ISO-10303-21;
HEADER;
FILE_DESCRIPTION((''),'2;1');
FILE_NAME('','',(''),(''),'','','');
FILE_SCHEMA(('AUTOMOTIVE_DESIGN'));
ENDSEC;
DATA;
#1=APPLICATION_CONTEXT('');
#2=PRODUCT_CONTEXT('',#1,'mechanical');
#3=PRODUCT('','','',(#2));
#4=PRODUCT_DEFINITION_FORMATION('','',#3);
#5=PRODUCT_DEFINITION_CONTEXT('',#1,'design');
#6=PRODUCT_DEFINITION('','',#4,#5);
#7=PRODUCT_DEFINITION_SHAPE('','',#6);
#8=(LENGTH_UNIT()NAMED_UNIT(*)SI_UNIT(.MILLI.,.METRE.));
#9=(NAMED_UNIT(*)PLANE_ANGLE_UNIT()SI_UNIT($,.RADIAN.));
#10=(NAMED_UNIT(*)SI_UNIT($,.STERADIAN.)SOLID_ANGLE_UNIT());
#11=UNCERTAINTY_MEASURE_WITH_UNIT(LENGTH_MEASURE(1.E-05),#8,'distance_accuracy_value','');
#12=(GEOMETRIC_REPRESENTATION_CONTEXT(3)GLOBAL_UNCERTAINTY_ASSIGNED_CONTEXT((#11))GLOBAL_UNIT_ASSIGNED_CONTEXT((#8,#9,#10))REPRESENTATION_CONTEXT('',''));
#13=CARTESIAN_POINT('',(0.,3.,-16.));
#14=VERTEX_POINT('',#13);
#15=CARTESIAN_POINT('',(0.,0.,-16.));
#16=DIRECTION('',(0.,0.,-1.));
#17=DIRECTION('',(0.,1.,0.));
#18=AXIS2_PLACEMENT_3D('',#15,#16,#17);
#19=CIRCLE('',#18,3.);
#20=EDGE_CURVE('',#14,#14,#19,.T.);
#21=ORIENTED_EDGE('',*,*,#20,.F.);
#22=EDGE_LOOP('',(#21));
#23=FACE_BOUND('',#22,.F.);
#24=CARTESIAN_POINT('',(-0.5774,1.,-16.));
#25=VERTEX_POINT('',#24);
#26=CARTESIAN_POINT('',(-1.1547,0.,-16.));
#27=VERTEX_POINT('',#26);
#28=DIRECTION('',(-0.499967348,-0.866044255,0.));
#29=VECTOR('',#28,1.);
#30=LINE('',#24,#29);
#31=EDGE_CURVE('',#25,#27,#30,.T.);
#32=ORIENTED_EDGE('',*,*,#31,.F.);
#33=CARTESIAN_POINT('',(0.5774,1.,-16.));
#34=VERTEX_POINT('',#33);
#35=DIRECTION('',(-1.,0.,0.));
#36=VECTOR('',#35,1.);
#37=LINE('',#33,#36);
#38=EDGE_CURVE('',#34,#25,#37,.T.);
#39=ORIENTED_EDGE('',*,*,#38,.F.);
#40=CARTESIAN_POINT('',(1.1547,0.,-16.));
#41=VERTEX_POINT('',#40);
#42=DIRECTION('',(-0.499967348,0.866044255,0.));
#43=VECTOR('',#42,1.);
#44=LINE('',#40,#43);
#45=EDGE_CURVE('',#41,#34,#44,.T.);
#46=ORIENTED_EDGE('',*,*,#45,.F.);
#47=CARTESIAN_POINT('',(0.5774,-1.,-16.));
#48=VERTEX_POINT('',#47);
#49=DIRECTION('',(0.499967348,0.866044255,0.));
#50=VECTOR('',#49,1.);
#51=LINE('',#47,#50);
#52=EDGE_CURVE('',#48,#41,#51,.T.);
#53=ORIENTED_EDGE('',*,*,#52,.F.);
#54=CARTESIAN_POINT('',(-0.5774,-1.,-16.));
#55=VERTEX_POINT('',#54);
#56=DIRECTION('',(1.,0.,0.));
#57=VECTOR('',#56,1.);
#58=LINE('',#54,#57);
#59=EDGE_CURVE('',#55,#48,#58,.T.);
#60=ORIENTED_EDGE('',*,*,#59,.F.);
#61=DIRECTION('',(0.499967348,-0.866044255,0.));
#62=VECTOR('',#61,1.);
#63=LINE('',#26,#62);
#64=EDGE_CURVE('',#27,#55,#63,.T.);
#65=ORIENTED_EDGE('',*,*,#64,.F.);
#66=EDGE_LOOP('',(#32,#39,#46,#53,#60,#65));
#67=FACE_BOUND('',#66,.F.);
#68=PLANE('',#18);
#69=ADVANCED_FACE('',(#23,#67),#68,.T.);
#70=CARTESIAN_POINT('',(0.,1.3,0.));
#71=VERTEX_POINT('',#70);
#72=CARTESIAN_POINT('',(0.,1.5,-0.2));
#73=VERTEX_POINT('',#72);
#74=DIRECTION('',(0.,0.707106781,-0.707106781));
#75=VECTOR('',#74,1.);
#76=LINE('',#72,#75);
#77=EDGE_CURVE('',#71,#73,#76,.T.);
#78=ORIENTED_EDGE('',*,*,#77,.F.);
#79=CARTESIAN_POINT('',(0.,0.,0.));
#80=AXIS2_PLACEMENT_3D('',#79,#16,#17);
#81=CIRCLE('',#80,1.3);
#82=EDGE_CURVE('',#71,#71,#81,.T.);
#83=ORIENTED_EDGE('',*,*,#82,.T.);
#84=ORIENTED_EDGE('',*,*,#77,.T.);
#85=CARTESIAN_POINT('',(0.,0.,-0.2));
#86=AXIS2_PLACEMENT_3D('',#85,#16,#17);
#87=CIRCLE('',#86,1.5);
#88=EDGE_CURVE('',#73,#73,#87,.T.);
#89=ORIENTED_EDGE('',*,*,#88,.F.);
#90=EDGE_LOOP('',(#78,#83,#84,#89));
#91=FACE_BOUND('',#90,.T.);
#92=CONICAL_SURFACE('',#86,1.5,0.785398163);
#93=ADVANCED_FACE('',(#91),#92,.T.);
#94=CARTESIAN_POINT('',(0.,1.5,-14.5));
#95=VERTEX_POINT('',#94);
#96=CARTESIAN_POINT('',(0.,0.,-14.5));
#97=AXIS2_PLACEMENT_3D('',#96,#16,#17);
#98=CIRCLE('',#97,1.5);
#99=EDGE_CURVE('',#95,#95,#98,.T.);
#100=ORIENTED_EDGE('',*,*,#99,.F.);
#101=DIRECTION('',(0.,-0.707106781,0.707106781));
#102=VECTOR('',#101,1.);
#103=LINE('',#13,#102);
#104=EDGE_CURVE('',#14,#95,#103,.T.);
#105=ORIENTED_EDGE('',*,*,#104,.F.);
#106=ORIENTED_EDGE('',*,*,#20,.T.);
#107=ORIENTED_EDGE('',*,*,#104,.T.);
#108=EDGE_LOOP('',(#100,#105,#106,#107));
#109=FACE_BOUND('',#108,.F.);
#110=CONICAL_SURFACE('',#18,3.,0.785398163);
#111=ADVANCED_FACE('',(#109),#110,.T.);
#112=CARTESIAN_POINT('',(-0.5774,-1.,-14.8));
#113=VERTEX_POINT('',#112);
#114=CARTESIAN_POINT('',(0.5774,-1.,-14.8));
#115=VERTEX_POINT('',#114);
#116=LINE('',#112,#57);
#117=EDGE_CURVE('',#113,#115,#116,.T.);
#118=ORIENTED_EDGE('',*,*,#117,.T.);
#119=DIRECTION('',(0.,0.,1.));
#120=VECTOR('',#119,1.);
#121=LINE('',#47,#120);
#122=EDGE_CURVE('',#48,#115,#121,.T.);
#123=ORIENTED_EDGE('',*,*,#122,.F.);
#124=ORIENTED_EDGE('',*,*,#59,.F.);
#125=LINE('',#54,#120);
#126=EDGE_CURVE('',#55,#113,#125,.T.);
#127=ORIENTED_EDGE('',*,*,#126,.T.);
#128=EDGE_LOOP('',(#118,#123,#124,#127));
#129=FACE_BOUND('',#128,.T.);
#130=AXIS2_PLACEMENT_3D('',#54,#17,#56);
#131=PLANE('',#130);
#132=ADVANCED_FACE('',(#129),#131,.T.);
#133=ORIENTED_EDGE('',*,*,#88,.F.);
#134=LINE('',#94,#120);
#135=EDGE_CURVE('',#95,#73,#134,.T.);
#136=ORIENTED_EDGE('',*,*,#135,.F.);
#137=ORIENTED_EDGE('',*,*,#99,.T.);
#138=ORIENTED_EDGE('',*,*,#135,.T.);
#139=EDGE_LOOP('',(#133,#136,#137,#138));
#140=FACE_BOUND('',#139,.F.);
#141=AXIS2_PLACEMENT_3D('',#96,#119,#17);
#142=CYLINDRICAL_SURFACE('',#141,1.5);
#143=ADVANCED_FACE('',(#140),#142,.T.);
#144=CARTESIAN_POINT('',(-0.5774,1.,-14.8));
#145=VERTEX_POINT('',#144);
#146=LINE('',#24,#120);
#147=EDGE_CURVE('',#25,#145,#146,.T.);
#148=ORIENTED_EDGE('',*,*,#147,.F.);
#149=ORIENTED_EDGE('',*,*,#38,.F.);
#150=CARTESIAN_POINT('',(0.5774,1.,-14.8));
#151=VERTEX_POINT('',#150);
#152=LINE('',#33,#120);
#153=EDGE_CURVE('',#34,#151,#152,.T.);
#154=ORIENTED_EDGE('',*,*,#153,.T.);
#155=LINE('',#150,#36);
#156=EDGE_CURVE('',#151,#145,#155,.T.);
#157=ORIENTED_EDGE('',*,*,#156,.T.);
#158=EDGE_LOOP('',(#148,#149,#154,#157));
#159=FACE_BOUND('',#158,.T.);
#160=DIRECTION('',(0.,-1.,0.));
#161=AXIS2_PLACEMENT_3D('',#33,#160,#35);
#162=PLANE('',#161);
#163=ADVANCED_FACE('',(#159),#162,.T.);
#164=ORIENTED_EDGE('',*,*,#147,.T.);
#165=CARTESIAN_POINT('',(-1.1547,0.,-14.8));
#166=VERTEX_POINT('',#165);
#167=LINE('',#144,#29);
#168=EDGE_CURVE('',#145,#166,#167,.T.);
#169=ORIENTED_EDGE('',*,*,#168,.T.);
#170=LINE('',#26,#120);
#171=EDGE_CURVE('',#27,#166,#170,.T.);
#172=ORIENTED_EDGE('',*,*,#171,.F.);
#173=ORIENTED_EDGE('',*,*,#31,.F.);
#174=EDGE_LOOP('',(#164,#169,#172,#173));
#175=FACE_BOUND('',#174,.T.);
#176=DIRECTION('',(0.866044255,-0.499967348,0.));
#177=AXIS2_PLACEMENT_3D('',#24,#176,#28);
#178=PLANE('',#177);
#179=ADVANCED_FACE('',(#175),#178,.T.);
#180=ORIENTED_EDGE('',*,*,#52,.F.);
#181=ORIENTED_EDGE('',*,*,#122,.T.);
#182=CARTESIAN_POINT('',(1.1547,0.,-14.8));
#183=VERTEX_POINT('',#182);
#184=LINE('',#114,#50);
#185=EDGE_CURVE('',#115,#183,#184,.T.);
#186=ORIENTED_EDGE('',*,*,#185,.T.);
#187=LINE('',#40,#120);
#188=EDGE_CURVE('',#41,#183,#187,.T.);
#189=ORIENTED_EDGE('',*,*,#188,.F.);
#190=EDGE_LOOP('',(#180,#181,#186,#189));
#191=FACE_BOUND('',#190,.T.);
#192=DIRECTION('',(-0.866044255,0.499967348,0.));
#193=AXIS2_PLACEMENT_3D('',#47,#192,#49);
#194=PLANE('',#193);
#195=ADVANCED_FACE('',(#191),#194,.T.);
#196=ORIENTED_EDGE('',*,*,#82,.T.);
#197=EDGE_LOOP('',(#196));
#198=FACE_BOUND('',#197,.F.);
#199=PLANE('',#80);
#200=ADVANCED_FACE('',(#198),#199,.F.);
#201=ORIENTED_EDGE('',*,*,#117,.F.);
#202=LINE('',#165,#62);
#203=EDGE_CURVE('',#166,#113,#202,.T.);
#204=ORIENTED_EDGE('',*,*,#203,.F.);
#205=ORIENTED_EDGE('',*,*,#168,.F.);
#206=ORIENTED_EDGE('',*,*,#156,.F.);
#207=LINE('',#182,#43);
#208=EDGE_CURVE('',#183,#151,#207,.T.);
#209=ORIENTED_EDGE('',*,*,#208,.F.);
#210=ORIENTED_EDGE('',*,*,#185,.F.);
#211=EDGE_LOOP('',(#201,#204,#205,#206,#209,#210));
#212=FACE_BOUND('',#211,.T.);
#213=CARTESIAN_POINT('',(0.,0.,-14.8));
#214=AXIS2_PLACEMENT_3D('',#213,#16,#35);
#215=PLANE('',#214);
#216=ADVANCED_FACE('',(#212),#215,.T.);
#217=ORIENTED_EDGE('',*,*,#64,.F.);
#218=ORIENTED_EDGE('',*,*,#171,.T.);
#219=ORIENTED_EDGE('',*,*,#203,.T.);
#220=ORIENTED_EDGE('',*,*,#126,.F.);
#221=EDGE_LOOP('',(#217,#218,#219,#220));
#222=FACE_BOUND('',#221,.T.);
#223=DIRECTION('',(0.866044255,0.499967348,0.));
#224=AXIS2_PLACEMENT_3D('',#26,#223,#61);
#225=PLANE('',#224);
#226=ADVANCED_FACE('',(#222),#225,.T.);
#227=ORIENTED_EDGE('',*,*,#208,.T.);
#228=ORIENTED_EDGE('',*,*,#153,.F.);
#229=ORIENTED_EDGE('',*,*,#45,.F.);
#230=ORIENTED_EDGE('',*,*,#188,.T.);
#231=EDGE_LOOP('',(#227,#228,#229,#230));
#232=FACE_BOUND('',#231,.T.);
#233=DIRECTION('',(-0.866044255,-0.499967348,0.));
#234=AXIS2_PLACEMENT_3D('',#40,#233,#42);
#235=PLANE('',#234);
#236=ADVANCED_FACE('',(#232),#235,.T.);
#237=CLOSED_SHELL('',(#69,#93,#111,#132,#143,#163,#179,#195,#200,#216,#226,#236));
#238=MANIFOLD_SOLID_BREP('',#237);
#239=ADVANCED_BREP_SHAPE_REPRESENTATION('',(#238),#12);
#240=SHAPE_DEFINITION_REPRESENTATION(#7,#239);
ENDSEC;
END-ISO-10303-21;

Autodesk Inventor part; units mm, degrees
ref_plane "YZ Plane" through (0, 0, 0) normal (1, 0, 0) x (0, 1, 0)
ref_plane "XZ Plane" through (0, 0, 0) normal (0, 1, 0) x (-1, 0, 0)
ref_plane "XY Plane" through (0, 0, 0) normal (0, 0, 1) x (1, 0, 0)
sketch "Sketch1" plane through (0, 0, 0) normal (1, 0, 0) x (0, 1, 0)
  line L0 (0, 0) -> (0, -16)
  line L1 (0, -16) -> (3, -16)
  line L2 (3, -16) -> (1.5, -14.5)
  line L3 (1.5, -14.5) -> (1.5, 0)
  line L4 (1.5, 0) -> (0, 0)
  dimension "d0" = 6
  dimension "d1" = 16
  dimension "d2" = 45
  dimension "d3" = 3
revolve "Revolution1" add sketch "Sketch1" angle 360 about axis through (0, 0, 0) along (0, 0, -1)
chamfer "Chamfer1" distance 0.2 angle 45 1 edges at (0, -1.5, 0)
thread "Thread1" size "M3x0.5" class "6g" standard "ANSI Metric M Profile" full length
sketch "Sketch2" plane through (0, 0, -16) normal (0, 0, -1) x (-1, 0, 0)
  circle A0 centre (0, 0) radius 1.3 projected
  line L0 (1.1547, 0) -> (0.5774, -1)
  line L1 (0.5774, -1) -> (-0.5774, -1)
  line L2 (-0.5774, -1) -> (-1.1547, 0)
  line L3 (-1.1547, 0) -> (-0.5774, 1)
  line L4 (-0.5774, 1) -> (0.5774, 1)
  line L5 (0.5774, 1) -> (1.1547, 0)
  dimension "d10" = 2
extrude "Extrusion1" cut sketch "Sketch2" against normal blind 1.2 contours L0 L1 L2 L3 L4 L5
properties part number "M3 x 16mm FHCS"
